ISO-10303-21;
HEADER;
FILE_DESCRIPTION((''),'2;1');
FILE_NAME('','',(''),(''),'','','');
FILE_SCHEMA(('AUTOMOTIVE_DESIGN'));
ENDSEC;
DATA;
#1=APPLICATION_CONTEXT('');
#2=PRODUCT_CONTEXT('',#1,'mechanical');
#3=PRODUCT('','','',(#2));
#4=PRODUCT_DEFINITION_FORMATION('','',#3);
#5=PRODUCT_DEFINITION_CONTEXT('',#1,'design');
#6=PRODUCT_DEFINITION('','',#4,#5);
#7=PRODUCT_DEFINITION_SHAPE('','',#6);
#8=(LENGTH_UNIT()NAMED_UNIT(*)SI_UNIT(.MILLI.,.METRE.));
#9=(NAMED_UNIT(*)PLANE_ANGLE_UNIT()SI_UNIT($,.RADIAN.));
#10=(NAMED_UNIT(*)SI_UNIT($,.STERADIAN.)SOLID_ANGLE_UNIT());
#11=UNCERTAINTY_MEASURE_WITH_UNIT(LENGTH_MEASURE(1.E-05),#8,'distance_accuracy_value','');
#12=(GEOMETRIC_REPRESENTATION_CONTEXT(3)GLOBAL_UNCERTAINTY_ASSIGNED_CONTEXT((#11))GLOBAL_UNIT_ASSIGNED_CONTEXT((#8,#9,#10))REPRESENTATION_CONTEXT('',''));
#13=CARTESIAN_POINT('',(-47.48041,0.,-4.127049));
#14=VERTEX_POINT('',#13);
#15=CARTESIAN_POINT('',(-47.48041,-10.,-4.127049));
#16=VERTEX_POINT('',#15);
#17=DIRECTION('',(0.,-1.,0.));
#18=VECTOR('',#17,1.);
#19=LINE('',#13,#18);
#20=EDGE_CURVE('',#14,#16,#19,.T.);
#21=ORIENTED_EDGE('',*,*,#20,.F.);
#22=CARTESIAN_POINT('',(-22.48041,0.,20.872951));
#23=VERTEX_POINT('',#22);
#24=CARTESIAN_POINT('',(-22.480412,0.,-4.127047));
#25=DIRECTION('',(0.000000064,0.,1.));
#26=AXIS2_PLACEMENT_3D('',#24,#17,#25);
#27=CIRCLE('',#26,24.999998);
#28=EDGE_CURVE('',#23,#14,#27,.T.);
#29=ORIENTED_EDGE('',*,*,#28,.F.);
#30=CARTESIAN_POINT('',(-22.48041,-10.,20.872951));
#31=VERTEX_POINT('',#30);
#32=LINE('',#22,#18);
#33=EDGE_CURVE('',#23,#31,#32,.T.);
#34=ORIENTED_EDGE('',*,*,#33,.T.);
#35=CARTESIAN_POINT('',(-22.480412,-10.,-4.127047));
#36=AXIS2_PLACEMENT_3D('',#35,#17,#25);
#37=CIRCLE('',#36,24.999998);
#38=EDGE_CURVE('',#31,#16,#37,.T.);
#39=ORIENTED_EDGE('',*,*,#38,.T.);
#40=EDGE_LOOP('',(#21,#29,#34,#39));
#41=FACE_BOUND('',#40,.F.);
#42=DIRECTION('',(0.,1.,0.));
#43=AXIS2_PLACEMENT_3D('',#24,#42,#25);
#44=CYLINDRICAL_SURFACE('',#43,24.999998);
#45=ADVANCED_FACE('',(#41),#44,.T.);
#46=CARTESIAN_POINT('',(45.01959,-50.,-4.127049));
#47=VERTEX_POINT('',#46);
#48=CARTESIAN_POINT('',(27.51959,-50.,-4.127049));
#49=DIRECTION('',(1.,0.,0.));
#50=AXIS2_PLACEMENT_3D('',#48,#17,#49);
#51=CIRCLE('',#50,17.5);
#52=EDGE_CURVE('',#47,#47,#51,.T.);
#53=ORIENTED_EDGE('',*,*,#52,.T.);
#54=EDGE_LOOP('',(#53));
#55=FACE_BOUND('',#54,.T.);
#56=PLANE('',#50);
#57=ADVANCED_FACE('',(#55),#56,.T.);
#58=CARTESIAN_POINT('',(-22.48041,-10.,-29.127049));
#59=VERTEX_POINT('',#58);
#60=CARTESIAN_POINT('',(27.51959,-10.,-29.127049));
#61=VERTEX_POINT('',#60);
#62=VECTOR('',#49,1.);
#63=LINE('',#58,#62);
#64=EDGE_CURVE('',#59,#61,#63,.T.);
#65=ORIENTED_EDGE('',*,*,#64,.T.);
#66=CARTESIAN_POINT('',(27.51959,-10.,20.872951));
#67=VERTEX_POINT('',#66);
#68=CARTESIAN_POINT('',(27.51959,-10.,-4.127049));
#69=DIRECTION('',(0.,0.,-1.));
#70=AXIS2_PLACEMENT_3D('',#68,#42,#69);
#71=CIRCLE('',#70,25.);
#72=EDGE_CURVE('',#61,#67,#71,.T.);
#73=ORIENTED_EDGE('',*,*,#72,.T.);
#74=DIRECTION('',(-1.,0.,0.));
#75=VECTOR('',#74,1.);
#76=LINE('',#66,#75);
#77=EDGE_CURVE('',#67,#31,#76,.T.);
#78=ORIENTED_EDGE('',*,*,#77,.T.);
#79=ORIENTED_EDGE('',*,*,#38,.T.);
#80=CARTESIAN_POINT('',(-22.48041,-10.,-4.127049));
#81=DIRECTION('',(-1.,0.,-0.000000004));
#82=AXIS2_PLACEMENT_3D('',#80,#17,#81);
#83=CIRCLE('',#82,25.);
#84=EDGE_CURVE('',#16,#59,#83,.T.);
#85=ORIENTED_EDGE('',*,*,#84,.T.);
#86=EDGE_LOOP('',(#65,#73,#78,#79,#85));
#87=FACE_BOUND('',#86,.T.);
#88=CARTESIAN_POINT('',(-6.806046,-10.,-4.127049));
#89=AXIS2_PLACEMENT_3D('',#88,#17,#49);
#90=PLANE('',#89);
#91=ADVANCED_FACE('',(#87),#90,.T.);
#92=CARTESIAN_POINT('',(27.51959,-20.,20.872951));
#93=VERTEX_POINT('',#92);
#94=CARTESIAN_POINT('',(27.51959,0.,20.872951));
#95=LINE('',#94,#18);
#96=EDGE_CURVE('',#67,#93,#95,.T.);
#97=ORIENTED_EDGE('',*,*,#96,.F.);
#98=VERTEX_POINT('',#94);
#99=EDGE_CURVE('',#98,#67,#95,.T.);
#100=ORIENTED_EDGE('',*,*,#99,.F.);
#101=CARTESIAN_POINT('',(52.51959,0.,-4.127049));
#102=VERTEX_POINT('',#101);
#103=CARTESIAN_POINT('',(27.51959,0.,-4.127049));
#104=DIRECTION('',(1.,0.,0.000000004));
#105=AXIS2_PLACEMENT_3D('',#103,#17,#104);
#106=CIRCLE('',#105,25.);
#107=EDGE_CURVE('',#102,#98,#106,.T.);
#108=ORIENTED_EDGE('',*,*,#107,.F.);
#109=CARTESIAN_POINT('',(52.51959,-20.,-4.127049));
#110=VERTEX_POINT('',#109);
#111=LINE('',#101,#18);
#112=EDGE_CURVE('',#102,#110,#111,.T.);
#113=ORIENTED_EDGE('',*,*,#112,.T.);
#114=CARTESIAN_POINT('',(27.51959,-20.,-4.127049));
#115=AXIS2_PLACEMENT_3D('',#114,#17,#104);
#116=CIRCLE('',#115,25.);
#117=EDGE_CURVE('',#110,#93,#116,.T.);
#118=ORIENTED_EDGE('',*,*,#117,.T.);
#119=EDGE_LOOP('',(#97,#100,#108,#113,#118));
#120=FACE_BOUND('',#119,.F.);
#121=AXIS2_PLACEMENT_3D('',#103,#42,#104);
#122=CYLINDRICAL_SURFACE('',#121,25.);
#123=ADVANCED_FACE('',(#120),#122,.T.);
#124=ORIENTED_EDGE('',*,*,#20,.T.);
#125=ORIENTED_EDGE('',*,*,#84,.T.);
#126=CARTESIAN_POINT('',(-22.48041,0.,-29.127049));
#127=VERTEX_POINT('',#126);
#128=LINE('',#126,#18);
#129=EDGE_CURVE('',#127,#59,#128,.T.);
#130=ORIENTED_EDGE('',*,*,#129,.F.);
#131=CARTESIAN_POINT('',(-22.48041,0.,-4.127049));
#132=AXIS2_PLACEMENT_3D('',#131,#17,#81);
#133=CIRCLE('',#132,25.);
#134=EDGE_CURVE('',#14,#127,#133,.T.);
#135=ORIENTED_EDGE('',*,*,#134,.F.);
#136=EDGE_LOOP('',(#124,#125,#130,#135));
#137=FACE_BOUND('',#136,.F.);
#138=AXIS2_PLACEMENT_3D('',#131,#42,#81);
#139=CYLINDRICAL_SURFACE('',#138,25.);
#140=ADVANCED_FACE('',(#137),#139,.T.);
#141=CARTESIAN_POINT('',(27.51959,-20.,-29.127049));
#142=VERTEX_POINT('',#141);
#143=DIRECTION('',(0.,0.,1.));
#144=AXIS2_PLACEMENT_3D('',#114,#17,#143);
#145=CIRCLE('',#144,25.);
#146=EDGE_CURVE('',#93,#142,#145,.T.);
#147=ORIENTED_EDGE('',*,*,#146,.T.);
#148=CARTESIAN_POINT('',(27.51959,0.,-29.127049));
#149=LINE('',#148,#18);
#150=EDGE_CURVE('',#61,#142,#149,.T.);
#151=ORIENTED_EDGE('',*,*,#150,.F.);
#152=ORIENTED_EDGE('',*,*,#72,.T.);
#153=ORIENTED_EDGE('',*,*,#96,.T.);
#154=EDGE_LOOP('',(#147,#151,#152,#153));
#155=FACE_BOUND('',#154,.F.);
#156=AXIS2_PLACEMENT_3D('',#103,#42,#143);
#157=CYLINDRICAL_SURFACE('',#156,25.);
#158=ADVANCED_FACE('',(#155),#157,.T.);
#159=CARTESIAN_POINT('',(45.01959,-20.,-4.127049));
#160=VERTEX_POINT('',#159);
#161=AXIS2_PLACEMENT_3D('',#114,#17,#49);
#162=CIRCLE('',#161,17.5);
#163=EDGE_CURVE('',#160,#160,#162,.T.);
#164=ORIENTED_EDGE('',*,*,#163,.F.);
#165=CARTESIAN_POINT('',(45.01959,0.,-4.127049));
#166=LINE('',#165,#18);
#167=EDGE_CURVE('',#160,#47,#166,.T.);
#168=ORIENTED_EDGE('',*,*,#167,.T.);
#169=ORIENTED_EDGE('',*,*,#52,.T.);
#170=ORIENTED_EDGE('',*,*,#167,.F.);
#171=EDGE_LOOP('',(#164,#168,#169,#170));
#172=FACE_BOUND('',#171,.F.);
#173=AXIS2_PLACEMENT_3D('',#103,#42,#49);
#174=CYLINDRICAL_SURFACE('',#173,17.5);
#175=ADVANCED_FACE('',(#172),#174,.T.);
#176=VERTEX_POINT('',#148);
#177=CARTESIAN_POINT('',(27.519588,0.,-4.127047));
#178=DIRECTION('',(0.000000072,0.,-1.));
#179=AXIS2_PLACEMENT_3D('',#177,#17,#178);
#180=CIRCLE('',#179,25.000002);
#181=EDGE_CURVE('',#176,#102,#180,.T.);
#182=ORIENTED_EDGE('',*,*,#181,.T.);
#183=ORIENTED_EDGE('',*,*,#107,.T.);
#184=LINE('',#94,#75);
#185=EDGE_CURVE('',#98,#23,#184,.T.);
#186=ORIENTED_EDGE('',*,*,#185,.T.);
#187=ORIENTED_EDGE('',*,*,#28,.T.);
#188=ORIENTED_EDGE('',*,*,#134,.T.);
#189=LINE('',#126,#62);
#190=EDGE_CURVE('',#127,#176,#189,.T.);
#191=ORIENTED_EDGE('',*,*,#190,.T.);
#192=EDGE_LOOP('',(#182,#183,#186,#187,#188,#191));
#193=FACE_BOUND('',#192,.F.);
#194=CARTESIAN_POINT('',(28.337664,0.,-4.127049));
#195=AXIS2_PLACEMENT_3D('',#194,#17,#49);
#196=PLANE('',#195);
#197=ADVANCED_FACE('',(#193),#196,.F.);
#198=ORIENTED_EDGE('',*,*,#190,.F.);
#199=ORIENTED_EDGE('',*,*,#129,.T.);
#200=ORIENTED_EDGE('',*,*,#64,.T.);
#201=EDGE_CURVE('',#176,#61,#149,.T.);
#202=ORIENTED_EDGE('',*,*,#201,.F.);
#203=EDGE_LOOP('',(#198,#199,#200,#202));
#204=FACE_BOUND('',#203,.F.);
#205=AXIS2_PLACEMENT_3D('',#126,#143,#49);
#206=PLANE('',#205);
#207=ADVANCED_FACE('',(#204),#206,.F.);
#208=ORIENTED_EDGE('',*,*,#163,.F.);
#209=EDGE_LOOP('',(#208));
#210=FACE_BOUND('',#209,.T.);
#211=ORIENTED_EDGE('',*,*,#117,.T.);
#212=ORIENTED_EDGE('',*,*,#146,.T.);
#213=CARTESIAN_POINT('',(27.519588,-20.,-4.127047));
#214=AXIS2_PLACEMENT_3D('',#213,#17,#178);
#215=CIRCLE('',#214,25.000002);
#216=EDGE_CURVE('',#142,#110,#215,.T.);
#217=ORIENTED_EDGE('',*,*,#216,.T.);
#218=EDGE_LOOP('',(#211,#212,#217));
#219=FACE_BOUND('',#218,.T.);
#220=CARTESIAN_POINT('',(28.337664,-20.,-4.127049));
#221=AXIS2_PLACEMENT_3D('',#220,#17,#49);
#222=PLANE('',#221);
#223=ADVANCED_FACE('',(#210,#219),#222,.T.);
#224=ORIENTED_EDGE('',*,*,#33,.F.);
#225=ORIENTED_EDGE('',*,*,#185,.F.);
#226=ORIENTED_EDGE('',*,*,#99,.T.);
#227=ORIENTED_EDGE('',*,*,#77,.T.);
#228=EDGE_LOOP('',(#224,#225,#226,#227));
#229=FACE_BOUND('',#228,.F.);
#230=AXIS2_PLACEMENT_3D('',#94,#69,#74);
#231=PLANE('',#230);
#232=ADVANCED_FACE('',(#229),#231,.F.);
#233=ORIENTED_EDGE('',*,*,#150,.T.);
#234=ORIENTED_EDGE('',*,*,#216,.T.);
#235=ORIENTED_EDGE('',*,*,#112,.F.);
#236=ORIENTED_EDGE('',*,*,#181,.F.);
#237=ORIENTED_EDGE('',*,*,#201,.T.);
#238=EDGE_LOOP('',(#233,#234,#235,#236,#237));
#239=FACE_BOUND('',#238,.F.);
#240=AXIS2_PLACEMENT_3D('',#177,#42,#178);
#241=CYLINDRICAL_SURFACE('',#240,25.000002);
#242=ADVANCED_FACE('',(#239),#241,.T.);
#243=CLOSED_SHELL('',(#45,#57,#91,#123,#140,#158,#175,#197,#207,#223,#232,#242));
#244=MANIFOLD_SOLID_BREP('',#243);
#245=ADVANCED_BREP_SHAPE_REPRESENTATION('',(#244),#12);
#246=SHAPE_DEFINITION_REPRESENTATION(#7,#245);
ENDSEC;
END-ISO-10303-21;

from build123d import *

# Parameters (mm, degrees)
F1_DEPTH = 10
F0_R     = 17.5
F2_DEPTH = 50
F3_DEPTH = 20


with BuildPart() as f1:
    # F0 (on Front) → F1 (new body)
    with BuildSketch(Plane.XZ):
        with BuildLine():
            Line((27.51959, 20.872951), (-22.48041, 20.872951))
            ThreePointArc((-22.48041, 20.872951), (-40.15808, 13.550621), (-47.48041, -4.127049))
            ThreePointArc((-47.48041, -4.127049), (-40.15808, -21.804718), (-22.48041, -29.127049))
            Line((-22.48041, -29.127049), (27.51959, -29.127049))
            ThreePointArc((27.51959, -29.127049), (2.51959, -4.127049), (27.51959, 20.872951))
        make_face()
    extrude(amount=F1_DEPTH)



with BuildPart() as f2:
    # F0 (on Front) → F2 (new body)
    with BuildSketch(Plane.XZ):
        with Locations((27.51959, -4.127049)):
            Circle(F0_R)
    extrude(amount=F2_DEPTH)


with BuildPart() as f1_1:
    add(f1.part)

    add(f2.part)  # F3 merges F2
    # F0 (on Front) → F3 (join)
    with BuildSketch(Plane.XZ):
        with BuildLine():
            ThreePointArc((52.51959, -4.127049), (45.197259, 13.550621), (27.51959, 20.872951))
            ThreePointArc((27.51959, 20.872951), (2.51959, -4.127049), (27.51959, -29.127049))
            ThreePointArc((27.51959, -29.127049), (45.197259, -21.804718), (52.51959, -4.127049))
        make_face()
        with Locations((27.51959, -4.127049)):
            Circle(F0_R, mode=Mode.SUBTRACT)
    extrude(amount=F3_DEPTH)


solid = f1_1.part
